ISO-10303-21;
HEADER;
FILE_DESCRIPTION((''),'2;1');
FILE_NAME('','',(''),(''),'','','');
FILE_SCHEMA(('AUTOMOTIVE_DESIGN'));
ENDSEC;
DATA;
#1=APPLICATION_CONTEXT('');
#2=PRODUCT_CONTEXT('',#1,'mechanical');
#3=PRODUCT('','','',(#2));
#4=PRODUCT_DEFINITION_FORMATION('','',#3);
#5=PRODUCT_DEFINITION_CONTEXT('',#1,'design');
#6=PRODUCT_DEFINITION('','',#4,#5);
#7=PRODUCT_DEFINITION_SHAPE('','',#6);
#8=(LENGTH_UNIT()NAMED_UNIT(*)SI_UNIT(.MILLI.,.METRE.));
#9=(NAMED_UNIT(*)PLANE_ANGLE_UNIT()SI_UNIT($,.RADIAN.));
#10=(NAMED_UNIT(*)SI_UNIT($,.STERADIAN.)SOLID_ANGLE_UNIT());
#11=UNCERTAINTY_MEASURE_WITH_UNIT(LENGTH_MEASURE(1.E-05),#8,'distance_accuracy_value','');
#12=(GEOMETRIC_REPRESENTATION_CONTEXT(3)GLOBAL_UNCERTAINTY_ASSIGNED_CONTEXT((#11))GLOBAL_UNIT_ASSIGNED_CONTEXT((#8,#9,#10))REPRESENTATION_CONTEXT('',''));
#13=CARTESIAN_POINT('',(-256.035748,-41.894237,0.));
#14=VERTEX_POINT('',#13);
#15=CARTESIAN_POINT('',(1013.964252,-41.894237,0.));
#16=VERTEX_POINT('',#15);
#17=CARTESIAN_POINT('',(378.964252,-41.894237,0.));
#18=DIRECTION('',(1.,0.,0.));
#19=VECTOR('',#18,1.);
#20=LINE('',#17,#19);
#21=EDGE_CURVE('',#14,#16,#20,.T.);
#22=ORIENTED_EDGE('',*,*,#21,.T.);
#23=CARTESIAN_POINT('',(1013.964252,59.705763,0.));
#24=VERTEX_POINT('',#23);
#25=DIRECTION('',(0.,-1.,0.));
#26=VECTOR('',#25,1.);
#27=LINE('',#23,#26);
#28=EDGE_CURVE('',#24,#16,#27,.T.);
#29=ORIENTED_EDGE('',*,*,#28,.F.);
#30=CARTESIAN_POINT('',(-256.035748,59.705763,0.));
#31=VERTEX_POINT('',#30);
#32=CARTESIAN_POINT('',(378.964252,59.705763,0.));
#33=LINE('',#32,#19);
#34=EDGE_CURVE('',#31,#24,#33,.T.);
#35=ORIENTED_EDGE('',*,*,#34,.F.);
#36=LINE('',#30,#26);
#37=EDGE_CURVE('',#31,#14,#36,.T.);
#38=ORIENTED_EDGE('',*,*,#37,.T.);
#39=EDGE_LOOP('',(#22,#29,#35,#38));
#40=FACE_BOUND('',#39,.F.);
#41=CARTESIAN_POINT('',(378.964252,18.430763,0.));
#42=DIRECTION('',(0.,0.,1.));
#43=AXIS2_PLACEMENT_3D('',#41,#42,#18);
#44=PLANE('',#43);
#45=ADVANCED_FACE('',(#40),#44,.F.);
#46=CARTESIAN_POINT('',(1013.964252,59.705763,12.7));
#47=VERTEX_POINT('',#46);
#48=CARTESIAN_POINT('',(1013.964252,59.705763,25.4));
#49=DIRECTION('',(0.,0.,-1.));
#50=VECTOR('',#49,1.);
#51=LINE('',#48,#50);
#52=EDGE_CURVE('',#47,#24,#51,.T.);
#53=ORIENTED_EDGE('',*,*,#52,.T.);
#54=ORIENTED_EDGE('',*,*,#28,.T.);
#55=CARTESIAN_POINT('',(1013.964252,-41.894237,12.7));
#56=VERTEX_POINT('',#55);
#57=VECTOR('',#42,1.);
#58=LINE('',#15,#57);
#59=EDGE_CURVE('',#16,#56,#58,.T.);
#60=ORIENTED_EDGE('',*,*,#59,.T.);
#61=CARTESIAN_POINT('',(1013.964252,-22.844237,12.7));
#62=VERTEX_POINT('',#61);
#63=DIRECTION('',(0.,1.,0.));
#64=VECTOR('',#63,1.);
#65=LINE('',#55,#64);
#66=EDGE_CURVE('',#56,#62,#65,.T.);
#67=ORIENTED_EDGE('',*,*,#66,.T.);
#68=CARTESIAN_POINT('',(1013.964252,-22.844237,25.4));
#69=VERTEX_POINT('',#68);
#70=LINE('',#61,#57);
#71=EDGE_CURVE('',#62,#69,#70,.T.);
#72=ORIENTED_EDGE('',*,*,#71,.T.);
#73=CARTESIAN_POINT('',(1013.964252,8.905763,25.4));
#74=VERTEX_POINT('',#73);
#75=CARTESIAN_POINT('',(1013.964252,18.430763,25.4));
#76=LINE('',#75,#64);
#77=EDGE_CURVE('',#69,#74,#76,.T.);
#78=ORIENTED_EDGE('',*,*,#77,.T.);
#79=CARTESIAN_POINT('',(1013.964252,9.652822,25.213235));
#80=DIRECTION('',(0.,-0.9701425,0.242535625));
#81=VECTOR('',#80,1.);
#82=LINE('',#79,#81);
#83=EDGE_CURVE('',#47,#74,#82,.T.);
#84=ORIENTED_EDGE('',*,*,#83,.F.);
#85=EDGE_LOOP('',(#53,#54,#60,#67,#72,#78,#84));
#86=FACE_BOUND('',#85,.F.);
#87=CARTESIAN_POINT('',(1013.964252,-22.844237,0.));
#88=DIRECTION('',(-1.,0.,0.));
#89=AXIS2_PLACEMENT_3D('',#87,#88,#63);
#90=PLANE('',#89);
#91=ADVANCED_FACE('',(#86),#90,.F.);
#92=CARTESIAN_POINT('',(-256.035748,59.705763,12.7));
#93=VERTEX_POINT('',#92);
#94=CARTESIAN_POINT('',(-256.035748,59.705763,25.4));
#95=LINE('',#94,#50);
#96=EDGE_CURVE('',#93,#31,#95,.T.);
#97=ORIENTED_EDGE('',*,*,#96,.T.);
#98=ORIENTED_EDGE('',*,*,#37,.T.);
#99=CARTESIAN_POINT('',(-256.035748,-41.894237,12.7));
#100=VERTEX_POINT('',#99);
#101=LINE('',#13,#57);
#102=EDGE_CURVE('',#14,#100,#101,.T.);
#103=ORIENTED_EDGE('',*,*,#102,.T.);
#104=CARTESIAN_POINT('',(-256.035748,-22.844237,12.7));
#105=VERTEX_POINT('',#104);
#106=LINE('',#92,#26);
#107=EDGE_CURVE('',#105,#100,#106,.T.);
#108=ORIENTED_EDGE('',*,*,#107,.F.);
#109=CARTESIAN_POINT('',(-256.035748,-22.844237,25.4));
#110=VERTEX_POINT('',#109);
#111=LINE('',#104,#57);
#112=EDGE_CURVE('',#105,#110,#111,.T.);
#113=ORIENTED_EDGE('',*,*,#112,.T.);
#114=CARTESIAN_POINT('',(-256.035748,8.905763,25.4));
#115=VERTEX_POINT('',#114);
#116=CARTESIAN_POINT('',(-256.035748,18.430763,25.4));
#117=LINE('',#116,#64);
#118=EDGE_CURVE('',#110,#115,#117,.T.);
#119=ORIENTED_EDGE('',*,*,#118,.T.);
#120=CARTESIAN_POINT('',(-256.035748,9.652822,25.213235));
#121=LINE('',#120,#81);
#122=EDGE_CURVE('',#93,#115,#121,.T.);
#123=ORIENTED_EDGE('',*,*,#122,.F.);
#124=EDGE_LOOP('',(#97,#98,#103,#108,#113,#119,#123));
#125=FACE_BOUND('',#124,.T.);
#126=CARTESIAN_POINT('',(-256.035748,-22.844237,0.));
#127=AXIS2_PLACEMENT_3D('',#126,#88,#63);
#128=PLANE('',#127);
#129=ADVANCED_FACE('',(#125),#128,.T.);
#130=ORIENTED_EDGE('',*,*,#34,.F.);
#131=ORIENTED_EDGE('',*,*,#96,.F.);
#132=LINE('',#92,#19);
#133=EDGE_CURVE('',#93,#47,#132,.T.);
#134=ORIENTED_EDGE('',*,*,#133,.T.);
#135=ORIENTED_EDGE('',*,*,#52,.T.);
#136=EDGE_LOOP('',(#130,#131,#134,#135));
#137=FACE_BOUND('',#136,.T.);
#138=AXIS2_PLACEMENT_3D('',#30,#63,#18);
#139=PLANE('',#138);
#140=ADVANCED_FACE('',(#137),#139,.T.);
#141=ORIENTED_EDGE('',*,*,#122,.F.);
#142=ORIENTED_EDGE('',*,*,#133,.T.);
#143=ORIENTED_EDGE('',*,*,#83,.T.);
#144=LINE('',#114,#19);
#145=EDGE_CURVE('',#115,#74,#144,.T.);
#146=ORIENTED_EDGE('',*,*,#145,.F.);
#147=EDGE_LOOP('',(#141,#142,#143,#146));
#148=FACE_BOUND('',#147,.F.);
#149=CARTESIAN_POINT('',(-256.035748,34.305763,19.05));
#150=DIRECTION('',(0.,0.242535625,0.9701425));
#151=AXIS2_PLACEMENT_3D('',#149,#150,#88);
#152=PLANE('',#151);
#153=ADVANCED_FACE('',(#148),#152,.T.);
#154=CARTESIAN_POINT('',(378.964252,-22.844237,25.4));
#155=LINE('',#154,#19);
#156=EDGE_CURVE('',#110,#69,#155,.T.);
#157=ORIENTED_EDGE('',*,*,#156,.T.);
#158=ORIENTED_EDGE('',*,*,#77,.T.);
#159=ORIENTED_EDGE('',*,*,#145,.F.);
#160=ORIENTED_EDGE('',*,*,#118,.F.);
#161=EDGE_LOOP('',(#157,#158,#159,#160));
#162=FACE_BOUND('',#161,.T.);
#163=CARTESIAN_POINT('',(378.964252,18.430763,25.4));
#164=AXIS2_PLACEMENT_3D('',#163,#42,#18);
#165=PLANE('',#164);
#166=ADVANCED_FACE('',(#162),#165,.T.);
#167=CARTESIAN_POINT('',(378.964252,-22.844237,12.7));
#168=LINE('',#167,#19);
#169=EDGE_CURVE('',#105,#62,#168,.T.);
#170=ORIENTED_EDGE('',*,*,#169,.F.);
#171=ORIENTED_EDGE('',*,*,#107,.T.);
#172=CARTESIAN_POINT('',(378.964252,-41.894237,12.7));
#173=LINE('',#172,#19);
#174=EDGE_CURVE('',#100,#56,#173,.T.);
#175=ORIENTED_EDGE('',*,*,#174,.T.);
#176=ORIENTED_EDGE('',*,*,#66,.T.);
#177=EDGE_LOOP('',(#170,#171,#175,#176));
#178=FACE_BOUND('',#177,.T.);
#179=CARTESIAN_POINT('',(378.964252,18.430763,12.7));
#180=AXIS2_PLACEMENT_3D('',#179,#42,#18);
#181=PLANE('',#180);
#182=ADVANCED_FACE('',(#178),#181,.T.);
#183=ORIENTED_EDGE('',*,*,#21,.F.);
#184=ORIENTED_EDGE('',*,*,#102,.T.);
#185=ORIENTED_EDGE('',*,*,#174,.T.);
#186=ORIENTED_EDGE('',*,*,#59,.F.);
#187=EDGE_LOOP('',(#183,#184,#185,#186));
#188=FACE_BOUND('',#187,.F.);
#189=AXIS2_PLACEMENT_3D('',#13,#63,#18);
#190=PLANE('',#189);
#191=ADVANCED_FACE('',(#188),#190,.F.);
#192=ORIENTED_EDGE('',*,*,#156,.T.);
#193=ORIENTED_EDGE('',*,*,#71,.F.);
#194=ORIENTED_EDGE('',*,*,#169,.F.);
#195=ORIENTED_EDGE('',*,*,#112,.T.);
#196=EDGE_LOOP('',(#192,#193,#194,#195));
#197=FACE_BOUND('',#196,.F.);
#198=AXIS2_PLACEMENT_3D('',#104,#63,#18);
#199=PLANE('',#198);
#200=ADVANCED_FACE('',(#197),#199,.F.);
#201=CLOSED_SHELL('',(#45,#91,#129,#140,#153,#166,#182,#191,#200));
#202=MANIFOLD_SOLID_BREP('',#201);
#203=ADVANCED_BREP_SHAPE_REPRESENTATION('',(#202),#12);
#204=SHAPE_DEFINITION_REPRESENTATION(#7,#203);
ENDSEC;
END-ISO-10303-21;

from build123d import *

# Parameters (mm, degrees)
F0_W      = 1270
F0_H      = 82.55
F1_DEPTH  = 12.7
F0_H_2    = 19.05
F1_FACE_W = 1270
F1_FACE_H = 82.55
F2_DEPTH  = 12.7
F3_SIZE2  = 50.8
F3_SIZE   = 12.7


with BuildPart() as f1:
    # F0 (on Top) → F1 (new body)
    with BuildSketch(Plane.XY):
        with Locations((378.9642523047, 18.4307628065)):
            Rectangle(F0_W, F0_H)
    extrude(amount=F1_DEPTH)

    # F0 (on Top) + F1_face (on face) → F2 (join)
    with BuildSketch(Plane.XY):
        with Locations((378.9642523047, 18.4307628065)):
            Rectangle(F0_W, F0_H)
        with Locations((378.9642523047, -32.3692371935)):
            Rectangle(F0_W, F0_H_2)
    with BuildSketch(Plane(origin=(378.9642523047, 18.4307628065, 12.7), x_dir=(1, 0, 0), z_dir=(0, 0, 1))):
        Rectangle(F1_FACE_W, F1_FACE_H)
    extrude(amount=F2_DEPTH)

    # F3
    f3_edges = [f1.edges().sort_by_distance(p)[0] for p in [
        (378.964252, 59.705763, 25.4),
    ]]
    f3_side = f1.faces().sort_by_distance((378.964252, 59.705763, 12.7))[0]
    chamfer(f3_edges, length=F3_SIZE, length2=F3_SIZE2, reference=f3_side)


solid = f1.part
